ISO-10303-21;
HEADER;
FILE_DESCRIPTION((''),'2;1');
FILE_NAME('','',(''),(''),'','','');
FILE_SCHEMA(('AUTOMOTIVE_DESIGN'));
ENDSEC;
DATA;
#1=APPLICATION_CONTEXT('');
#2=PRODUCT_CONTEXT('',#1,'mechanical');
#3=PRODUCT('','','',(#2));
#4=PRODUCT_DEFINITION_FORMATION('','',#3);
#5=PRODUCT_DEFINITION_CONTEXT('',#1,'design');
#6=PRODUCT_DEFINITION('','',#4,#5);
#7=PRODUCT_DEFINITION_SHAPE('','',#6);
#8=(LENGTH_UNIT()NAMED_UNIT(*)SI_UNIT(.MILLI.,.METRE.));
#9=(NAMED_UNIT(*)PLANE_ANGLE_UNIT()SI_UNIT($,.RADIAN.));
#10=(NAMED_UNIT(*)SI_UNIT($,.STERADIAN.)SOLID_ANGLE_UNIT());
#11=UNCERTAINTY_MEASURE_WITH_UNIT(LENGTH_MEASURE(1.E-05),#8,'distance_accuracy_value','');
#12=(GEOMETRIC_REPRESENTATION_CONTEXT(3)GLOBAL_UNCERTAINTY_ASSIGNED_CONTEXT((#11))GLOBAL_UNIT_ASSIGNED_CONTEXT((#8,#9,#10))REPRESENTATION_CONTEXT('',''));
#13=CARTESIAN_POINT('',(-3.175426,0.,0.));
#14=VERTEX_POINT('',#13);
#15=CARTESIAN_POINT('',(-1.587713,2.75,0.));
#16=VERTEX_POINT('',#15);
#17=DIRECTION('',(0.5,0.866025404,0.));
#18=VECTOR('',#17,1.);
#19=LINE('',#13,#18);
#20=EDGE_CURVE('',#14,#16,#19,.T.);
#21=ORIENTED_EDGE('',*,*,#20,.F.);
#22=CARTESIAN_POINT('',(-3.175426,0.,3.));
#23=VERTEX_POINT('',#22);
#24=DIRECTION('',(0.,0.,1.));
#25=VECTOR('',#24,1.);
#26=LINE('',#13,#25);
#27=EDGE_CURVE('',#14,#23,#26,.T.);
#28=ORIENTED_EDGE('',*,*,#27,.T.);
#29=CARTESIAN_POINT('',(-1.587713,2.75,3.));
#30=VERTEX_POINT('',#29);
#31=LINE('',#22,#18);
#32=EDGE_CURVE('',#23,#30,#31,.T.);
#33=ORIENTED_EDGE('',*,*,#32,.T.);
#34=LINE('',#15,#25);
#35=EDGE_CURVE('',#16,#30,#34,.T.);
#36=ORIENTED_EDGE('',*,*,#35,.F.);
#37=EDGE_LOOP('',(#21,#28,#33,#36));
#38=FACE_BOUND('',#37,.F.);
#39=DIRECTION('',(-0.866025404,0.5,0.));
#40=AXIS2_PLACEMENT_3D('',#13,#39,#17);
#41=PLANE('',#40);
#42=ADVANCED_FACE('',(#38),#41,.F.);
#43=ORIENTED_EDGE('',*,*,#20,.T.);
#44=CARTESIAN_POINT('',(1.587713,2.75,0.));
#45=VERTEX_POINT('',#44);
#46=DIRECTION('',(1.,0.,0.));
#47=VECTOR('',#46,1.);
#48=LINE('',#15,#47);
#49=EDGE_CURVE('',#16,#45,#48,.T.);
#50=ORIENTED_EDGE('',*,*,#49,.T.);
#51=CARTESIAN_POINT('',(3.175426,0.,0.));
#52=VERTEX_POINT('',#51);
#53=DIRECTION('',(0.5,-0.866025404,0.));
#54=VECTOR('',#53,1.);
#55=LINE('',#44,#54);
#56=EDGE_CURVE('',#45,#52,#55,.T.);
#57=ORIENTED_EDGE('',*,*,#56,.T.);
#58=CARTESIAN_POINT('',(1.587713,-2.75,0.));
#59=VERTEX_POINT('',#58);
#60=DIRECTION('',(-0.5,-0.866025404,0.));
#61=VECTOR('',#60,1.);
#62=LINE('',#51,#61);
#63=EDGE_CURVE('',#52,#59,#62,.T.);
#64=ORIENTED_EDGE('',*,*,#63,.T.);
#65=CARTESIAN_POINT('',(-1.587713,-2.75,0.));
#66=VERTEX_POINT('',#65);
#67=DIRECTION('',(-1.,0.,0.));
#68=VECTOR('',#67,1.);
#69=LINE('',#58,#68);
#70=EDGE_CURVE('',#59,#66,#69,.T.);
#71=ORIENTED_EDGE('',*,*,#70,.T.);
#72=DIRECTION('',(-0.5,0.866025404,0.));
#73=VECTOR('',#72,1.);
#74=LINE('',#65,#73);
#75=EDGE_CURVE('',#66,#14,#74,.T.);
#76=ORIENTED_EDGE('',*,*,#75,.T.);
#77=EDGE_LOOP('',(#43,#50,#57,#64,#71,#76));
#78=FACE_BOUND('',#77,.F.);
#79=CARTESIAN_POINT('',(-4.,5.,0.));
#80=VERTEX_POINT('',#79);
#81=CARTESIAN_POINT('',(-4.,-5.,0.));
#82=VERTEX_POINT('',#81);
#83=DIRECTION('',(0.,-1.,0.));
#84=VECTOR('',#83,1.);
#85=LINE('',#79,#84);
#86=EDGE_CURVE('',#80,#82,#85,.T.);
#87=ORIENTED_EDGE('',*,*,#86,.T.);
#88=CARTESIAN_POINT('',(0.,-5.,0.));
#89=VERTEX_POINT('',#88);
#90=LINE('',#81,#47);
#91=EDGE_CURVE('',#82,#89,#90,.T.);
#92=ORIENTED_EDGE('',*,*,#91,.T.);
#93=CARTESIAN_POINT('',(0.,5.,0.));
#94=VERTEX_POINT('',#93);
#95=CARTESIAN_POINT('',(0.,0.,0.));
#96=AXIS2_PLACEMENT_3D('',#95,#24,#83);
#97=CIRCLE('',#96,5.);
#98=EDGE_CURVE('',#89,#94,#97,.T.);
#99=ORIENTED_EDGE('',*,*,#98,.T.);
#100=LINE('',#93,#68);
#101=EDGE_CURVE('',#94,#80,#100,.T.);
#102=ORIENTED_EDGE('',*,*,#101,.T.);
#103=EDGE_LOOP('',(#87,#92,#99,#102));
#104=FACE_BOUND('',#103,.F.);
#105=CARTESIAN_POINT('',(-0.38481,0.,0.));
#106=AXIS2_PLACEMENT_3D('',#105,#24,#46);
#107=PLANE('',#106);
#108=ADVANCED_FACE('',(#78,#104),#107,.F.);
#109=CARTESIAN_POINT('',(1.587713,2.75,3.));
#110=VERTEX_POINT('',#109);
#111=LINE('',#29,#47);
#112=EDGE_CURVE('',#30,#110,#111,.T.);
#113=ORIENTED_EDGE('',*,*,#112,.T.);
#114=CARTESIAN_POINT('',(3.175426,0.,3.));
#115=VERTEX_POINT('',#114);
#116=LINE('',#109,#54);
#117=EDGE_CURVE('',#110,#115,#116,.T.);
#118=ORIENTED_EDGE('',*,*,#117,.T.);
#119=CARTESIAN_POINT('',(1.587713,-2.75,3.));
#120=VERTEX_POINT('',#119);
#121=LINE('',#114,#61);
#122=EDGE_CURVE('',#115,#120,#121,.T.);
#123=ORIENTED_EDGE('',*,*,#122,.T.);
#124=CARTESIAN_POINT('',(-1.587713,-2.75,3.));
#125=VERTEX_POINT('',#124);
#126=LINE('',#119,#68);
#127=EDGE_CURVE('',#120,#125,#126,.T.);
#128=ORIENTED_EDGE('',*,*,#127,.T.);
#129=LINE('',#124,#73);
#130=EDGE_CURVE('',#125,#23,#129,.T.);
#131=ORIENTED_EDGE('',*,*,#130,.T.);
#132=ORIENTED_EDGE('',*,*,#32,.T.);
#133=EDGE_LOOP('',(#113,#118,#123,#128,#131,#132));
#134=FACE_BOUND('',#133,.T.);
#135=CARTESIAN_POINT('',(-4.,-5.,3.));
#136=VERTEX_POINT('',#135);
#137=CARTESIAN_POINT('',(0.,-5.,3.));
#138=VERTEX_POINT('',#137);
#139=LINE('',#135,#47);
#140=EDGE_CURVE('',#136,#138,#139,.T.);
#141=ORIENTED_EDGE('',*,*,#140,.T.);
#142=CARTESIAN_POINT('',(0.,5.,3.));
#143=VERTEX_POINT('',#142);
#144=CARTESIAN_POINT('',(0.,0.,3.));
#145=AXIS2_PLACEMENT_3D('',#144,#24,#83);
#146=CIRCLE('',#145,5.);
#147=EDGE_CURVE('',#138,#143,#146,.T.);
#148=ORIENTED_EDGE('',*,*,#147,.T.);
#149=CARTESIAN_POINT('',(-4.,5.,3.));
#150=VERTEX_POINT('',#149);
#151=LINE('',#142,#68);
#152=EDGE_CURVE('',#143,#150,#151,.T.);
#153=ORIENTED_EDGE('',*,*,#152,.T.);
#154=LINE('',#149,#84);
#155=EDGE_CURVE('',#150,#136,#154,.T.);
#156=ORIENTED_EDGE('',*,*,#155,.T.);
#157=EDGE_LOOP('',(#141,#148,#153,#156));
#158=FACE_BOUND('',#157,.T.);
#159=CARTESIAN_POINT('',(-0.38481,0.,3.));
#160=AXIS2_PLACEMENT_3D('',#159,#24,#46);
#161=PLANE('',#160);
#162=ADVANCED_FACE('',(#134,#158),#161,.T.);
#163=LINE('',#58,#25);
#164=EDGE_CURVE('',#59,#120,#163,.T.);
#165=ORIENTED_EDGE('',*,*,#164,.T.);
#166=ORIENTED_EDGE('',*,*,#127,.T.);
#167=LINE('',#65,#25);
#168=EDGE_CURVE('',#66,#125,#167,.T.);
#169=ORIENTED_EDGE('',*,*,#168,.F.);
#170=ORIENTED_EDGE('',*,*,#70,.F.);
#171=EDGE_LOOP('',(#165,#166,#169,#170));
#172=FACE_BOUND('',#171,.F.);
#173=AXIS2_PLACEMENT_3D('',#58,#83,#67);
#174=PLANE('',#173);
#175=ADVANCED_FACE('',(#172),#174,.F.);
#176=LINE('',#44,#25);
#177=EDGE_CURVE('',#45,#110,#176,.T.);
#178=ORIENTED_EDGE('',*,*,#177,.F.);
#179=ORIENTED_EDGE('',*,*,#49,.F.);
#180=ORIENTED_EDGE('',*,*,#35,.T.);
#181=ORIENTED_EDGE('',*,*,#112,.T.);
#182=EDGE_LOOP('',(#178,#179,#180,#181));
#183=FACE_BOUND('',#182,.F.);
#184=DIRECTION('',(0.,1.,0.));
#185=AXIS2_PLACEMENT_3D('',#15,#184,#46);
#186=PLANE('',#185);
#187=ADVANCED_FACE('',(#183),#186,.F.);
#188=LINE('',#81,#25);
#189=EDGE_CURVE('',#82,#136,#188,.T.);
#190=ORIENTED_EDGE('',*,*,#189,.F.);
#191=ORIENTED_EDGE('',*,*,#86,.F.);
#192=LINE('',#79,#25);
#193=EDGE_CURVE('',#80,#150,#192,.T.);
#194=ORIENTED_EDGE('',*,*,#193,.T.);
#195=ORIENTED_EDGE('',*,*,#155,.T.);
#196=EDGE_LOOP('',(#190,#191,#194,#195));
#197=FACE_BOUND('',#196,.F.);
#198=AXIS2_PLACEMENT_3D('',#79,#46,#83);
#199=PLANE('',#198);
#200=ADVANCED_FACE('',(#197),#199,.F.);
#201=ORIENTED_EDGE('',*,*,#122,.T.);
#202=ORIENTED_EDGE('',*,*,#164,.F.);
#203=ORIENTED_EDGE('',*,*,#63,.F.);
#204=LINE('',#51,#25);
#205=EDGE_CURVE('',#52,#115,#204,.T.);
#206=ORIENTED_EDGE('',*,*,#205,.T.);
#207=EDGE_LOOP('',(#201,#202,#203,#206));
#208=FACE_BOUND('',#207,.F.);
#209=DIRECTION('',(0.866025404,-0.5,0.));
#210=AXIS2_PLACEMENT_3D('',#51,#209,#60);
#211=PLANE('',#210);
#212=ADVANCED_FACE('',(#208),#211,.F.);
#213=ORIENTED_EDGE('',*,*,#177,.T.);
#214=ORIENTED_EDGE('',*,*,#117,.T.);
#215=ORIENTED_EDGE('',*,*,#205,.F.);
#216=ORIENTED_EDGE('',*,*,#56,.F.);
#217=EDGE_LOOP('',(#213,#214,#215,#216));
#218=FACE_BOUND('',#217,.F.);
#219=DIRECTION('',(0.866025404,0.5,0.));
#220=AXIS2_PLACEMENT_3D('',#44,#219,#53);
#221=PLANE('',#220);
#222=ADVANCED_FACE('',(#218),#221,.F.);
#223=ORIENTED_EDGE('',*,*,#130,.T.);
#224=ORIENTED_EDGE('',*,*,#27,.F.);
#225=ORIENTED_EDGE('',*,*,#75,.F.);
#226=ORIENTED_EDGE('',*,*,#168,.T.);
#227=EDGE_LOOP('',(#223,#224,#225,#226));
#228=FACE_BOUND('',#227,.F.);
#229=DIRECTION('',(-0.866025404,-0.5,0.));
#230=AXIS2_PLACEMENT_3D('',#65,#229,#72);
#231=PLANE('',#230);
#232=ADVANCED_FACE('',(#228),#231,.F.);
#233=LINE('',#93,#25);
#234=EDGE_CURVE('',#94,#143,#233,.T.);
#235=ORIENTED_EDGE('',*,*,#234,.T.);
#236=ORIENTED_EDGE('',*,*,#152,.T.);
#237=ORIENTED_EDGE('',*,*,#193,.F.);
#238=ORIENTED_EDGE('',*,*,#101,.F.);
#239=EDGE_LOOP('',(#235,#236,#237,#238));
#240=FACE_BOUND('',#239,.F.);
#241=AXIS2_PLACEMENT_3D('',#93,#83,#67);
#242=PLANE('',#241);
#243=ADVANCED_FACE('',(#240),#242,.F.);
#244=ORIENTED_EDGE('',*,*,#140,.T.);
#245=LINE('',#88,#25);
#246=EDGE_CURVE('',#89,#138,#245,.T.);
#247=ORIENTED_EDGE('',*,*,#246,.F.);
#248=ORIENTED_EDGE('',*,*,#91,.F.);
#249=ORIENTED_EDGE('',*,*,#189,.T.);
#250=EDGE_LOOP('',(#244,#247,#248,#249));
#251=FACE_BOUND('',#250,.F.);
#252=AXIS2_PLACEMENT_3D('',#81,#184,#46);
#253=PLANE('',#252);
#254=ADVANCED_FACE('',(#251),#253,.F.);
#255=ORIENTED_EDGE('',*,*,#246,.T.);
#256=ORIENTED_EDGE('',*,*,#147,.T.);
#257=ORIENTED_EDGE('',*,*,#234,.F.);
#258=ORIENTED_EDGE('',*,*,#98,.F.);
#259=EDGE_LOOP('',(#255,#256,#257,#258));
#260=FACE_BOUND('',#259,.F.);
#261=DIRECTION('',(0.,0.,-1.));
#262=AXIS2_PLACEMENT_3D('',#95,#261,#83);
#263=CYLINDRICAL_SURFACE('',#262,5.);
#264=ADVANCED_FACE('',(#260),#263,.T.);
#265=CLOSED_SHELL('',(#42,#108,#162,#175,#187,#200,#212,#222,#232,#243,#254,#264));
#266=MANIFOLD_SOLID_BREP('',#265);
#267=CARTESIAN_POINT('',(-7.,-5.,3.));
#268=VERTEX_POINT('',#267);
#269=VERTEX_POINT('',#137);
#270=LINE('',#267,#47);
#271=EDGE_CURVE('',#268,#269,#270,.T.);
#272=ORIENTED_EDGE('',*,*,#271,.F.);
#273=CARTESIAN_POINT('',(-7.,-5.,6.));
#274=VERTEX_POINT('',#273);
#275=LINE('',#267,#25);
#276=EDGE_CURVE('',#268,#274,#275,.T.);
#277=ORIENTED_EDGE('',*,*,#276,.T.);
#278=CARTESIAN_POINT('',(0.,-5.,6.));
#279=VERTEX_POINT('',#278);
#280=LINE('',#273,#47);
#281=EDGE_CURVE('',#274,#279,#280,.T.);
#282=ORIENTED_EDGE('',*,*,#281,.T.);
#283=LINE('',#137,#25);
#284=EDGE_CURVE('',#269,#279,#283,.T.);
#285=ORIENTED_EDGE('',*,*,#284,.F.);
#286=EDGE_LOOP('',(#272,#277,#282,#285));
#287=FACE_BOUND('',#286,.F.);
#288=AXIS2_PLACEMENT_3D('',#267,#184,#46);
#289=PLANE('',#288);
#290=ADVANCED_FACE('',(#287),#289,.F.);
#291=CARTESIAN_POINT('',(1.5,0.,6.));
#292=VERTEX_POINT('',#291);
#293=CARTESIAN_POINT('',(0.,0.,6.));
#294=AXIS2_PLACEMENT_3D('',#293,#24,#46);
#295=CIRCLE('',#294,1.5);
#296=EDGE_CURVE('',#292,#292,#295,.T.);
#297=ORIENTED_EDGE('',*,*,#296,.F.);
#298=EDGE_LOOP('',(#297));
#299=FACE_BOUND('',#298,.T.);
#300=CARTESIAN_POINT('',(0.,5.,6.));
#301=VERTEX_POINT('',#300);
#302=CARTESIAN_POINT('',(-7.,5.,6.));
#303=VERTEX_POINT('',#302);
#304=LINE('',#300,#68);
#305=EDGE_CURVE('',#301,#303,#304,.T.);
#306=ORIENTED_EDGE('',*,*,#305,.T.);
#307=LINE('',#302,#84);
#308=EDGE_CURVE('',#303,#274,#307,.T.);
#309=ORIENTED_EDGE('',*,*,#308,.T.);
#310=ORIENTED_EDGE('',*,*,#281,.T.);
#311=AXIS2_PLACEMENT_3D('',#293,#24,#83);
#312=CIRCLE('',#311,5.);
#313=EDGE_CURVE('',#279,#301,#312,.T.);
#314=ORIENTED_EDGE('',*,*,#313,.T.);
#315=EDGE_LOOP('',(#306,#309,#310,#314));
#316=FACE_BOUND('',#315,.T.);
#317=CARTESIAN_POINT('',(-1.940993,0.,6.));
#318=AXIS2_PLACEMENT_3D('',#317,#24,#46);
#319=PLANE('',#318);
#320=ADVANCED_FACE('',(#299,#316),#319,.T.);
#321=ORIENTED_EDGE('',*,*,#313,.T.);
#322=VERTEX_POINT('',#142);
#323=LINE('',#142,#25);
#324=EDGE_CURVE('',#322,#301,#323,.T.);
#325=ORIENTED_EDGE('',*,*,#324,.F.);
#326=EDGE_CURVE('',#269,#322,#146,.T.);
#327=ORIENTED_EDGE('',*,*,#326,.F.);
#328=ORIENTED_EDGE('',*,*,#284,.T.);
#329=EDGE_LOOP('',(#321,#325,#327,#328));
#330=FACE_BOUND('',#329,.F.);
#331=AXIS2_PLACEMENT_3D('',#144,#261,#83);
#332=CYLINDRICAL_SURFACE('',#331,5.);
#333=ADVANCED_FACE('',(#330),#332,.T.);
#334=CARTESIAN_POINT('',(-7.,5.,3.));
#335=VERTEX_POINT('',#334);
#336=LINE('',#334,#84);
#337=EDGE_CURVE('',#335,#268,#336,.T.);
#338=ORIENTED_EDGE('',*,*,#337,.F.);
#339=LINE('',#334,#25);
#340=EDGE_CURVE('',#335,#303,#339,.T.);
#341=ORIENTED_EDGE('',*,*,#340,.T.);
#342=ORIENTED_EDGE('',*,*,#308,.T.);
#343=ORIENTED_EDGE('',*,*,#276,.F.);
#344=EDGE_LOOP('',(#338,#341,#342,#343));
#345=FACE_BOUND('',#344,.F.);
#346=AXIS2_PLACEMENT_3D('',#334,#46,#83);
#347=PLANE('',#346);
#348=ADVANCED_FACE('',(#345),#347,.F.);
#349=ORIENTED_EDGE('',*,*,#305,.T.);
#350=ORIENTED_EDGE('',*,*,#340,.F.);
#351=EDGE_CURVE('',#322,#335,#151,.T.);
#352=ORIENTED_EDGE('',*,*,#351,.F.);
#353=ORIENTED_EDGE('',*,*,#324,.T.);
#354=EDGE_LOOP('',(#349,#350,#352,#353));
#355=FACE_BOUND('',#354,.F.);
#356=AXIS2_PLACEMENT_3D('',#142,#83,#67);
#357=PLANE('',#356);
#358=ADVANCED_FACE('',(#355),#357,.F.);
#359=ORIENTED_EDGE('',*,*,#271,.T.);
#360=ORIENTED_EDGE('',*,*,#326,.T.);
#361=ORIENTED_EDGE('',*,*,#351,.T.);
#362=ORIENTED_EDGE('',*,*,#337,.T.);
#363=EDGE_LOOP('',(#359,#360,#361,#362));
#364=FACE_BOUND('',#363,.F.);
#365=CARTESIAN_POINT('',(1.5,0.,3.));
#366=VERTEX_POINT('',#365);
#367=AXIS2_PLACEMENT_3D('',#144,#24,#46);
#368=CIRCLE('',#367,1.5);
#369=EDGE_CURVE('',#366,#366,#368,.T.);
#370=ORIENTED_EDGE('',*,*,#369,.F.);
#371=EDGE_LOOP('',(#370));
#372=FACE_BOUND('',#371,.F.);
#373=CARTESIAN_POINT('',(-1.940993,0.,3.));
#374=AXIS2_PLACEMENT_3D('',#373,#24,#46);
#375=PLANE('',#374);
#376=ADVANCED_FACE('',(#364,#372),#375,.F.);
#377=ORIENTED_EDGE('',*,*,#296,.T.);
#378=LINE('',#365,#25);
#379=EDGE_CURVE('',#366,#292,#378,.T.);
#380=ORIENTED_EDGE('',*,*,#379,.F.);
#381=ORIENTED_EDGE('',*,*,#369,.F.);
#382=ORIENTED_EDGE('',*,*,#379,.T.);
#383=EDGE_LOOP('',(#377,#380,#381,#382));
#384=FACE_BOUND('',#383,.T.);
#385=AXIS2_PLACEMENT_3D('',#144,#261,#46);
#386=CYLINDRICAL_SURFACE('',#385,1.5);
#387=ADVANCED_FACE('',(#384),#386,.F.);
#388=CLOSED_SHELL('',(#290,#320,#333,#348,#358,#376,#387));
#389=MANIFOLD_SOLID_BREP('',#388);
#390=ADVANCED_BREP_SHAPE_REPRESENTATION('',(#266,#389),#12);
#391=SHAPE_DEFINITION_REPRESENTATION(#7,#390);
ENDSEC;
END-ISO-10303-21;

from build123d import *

# Parameters (mm, degrees)
F2_DEPTH = 3
F3_R     = 1.5
F4_DEPTH = 3


with BuildPart() as f2:
    # F1 (on Top) → F2 (new body)
    with BuildSketch(Plane.XY):
        with BuildLine():
            ThreePointArc((0, -5), (5, 0), (0, 5))
            Line((0, 5), (-4, 5))
            Line((-4, 5), (-4, -5))
            Line((-4, -5), (0, -5))
        make_face()
        Polygon((1.5877132403, 2.75), (3.1754264805, 0), (1.5877132403, -2.75), (-1.5877132403, -2.75), (-3.1754264805, 0), (-1.5877132403, 2.75), align=None, mode=Mode.SUBTRACT)
    extrude(amount=F2_DEPTH)


with BuildPart() as f4:
    # F3 (on face) → F4 (new body)
    with BuildSketch(Plane.XY.offset(3)):
        with BuildLine():
            ThreePointArc((0, -5), (5, 0), (0, 5))
            Line((0, 5), (-4, 5))
            Line((-4, 5), (-7, 5))
            Line((-7, 5), (-7, -5))
            Line((-7, -5), (-4, -5))
            Line((-4, -5), (0, -5))
        make_face()
        Circle(F3_R, mode=Mode.SUBTRACT)
    extrude(amount=F4_DEPTH)


solid = Compound([f2.part, f4.part])
